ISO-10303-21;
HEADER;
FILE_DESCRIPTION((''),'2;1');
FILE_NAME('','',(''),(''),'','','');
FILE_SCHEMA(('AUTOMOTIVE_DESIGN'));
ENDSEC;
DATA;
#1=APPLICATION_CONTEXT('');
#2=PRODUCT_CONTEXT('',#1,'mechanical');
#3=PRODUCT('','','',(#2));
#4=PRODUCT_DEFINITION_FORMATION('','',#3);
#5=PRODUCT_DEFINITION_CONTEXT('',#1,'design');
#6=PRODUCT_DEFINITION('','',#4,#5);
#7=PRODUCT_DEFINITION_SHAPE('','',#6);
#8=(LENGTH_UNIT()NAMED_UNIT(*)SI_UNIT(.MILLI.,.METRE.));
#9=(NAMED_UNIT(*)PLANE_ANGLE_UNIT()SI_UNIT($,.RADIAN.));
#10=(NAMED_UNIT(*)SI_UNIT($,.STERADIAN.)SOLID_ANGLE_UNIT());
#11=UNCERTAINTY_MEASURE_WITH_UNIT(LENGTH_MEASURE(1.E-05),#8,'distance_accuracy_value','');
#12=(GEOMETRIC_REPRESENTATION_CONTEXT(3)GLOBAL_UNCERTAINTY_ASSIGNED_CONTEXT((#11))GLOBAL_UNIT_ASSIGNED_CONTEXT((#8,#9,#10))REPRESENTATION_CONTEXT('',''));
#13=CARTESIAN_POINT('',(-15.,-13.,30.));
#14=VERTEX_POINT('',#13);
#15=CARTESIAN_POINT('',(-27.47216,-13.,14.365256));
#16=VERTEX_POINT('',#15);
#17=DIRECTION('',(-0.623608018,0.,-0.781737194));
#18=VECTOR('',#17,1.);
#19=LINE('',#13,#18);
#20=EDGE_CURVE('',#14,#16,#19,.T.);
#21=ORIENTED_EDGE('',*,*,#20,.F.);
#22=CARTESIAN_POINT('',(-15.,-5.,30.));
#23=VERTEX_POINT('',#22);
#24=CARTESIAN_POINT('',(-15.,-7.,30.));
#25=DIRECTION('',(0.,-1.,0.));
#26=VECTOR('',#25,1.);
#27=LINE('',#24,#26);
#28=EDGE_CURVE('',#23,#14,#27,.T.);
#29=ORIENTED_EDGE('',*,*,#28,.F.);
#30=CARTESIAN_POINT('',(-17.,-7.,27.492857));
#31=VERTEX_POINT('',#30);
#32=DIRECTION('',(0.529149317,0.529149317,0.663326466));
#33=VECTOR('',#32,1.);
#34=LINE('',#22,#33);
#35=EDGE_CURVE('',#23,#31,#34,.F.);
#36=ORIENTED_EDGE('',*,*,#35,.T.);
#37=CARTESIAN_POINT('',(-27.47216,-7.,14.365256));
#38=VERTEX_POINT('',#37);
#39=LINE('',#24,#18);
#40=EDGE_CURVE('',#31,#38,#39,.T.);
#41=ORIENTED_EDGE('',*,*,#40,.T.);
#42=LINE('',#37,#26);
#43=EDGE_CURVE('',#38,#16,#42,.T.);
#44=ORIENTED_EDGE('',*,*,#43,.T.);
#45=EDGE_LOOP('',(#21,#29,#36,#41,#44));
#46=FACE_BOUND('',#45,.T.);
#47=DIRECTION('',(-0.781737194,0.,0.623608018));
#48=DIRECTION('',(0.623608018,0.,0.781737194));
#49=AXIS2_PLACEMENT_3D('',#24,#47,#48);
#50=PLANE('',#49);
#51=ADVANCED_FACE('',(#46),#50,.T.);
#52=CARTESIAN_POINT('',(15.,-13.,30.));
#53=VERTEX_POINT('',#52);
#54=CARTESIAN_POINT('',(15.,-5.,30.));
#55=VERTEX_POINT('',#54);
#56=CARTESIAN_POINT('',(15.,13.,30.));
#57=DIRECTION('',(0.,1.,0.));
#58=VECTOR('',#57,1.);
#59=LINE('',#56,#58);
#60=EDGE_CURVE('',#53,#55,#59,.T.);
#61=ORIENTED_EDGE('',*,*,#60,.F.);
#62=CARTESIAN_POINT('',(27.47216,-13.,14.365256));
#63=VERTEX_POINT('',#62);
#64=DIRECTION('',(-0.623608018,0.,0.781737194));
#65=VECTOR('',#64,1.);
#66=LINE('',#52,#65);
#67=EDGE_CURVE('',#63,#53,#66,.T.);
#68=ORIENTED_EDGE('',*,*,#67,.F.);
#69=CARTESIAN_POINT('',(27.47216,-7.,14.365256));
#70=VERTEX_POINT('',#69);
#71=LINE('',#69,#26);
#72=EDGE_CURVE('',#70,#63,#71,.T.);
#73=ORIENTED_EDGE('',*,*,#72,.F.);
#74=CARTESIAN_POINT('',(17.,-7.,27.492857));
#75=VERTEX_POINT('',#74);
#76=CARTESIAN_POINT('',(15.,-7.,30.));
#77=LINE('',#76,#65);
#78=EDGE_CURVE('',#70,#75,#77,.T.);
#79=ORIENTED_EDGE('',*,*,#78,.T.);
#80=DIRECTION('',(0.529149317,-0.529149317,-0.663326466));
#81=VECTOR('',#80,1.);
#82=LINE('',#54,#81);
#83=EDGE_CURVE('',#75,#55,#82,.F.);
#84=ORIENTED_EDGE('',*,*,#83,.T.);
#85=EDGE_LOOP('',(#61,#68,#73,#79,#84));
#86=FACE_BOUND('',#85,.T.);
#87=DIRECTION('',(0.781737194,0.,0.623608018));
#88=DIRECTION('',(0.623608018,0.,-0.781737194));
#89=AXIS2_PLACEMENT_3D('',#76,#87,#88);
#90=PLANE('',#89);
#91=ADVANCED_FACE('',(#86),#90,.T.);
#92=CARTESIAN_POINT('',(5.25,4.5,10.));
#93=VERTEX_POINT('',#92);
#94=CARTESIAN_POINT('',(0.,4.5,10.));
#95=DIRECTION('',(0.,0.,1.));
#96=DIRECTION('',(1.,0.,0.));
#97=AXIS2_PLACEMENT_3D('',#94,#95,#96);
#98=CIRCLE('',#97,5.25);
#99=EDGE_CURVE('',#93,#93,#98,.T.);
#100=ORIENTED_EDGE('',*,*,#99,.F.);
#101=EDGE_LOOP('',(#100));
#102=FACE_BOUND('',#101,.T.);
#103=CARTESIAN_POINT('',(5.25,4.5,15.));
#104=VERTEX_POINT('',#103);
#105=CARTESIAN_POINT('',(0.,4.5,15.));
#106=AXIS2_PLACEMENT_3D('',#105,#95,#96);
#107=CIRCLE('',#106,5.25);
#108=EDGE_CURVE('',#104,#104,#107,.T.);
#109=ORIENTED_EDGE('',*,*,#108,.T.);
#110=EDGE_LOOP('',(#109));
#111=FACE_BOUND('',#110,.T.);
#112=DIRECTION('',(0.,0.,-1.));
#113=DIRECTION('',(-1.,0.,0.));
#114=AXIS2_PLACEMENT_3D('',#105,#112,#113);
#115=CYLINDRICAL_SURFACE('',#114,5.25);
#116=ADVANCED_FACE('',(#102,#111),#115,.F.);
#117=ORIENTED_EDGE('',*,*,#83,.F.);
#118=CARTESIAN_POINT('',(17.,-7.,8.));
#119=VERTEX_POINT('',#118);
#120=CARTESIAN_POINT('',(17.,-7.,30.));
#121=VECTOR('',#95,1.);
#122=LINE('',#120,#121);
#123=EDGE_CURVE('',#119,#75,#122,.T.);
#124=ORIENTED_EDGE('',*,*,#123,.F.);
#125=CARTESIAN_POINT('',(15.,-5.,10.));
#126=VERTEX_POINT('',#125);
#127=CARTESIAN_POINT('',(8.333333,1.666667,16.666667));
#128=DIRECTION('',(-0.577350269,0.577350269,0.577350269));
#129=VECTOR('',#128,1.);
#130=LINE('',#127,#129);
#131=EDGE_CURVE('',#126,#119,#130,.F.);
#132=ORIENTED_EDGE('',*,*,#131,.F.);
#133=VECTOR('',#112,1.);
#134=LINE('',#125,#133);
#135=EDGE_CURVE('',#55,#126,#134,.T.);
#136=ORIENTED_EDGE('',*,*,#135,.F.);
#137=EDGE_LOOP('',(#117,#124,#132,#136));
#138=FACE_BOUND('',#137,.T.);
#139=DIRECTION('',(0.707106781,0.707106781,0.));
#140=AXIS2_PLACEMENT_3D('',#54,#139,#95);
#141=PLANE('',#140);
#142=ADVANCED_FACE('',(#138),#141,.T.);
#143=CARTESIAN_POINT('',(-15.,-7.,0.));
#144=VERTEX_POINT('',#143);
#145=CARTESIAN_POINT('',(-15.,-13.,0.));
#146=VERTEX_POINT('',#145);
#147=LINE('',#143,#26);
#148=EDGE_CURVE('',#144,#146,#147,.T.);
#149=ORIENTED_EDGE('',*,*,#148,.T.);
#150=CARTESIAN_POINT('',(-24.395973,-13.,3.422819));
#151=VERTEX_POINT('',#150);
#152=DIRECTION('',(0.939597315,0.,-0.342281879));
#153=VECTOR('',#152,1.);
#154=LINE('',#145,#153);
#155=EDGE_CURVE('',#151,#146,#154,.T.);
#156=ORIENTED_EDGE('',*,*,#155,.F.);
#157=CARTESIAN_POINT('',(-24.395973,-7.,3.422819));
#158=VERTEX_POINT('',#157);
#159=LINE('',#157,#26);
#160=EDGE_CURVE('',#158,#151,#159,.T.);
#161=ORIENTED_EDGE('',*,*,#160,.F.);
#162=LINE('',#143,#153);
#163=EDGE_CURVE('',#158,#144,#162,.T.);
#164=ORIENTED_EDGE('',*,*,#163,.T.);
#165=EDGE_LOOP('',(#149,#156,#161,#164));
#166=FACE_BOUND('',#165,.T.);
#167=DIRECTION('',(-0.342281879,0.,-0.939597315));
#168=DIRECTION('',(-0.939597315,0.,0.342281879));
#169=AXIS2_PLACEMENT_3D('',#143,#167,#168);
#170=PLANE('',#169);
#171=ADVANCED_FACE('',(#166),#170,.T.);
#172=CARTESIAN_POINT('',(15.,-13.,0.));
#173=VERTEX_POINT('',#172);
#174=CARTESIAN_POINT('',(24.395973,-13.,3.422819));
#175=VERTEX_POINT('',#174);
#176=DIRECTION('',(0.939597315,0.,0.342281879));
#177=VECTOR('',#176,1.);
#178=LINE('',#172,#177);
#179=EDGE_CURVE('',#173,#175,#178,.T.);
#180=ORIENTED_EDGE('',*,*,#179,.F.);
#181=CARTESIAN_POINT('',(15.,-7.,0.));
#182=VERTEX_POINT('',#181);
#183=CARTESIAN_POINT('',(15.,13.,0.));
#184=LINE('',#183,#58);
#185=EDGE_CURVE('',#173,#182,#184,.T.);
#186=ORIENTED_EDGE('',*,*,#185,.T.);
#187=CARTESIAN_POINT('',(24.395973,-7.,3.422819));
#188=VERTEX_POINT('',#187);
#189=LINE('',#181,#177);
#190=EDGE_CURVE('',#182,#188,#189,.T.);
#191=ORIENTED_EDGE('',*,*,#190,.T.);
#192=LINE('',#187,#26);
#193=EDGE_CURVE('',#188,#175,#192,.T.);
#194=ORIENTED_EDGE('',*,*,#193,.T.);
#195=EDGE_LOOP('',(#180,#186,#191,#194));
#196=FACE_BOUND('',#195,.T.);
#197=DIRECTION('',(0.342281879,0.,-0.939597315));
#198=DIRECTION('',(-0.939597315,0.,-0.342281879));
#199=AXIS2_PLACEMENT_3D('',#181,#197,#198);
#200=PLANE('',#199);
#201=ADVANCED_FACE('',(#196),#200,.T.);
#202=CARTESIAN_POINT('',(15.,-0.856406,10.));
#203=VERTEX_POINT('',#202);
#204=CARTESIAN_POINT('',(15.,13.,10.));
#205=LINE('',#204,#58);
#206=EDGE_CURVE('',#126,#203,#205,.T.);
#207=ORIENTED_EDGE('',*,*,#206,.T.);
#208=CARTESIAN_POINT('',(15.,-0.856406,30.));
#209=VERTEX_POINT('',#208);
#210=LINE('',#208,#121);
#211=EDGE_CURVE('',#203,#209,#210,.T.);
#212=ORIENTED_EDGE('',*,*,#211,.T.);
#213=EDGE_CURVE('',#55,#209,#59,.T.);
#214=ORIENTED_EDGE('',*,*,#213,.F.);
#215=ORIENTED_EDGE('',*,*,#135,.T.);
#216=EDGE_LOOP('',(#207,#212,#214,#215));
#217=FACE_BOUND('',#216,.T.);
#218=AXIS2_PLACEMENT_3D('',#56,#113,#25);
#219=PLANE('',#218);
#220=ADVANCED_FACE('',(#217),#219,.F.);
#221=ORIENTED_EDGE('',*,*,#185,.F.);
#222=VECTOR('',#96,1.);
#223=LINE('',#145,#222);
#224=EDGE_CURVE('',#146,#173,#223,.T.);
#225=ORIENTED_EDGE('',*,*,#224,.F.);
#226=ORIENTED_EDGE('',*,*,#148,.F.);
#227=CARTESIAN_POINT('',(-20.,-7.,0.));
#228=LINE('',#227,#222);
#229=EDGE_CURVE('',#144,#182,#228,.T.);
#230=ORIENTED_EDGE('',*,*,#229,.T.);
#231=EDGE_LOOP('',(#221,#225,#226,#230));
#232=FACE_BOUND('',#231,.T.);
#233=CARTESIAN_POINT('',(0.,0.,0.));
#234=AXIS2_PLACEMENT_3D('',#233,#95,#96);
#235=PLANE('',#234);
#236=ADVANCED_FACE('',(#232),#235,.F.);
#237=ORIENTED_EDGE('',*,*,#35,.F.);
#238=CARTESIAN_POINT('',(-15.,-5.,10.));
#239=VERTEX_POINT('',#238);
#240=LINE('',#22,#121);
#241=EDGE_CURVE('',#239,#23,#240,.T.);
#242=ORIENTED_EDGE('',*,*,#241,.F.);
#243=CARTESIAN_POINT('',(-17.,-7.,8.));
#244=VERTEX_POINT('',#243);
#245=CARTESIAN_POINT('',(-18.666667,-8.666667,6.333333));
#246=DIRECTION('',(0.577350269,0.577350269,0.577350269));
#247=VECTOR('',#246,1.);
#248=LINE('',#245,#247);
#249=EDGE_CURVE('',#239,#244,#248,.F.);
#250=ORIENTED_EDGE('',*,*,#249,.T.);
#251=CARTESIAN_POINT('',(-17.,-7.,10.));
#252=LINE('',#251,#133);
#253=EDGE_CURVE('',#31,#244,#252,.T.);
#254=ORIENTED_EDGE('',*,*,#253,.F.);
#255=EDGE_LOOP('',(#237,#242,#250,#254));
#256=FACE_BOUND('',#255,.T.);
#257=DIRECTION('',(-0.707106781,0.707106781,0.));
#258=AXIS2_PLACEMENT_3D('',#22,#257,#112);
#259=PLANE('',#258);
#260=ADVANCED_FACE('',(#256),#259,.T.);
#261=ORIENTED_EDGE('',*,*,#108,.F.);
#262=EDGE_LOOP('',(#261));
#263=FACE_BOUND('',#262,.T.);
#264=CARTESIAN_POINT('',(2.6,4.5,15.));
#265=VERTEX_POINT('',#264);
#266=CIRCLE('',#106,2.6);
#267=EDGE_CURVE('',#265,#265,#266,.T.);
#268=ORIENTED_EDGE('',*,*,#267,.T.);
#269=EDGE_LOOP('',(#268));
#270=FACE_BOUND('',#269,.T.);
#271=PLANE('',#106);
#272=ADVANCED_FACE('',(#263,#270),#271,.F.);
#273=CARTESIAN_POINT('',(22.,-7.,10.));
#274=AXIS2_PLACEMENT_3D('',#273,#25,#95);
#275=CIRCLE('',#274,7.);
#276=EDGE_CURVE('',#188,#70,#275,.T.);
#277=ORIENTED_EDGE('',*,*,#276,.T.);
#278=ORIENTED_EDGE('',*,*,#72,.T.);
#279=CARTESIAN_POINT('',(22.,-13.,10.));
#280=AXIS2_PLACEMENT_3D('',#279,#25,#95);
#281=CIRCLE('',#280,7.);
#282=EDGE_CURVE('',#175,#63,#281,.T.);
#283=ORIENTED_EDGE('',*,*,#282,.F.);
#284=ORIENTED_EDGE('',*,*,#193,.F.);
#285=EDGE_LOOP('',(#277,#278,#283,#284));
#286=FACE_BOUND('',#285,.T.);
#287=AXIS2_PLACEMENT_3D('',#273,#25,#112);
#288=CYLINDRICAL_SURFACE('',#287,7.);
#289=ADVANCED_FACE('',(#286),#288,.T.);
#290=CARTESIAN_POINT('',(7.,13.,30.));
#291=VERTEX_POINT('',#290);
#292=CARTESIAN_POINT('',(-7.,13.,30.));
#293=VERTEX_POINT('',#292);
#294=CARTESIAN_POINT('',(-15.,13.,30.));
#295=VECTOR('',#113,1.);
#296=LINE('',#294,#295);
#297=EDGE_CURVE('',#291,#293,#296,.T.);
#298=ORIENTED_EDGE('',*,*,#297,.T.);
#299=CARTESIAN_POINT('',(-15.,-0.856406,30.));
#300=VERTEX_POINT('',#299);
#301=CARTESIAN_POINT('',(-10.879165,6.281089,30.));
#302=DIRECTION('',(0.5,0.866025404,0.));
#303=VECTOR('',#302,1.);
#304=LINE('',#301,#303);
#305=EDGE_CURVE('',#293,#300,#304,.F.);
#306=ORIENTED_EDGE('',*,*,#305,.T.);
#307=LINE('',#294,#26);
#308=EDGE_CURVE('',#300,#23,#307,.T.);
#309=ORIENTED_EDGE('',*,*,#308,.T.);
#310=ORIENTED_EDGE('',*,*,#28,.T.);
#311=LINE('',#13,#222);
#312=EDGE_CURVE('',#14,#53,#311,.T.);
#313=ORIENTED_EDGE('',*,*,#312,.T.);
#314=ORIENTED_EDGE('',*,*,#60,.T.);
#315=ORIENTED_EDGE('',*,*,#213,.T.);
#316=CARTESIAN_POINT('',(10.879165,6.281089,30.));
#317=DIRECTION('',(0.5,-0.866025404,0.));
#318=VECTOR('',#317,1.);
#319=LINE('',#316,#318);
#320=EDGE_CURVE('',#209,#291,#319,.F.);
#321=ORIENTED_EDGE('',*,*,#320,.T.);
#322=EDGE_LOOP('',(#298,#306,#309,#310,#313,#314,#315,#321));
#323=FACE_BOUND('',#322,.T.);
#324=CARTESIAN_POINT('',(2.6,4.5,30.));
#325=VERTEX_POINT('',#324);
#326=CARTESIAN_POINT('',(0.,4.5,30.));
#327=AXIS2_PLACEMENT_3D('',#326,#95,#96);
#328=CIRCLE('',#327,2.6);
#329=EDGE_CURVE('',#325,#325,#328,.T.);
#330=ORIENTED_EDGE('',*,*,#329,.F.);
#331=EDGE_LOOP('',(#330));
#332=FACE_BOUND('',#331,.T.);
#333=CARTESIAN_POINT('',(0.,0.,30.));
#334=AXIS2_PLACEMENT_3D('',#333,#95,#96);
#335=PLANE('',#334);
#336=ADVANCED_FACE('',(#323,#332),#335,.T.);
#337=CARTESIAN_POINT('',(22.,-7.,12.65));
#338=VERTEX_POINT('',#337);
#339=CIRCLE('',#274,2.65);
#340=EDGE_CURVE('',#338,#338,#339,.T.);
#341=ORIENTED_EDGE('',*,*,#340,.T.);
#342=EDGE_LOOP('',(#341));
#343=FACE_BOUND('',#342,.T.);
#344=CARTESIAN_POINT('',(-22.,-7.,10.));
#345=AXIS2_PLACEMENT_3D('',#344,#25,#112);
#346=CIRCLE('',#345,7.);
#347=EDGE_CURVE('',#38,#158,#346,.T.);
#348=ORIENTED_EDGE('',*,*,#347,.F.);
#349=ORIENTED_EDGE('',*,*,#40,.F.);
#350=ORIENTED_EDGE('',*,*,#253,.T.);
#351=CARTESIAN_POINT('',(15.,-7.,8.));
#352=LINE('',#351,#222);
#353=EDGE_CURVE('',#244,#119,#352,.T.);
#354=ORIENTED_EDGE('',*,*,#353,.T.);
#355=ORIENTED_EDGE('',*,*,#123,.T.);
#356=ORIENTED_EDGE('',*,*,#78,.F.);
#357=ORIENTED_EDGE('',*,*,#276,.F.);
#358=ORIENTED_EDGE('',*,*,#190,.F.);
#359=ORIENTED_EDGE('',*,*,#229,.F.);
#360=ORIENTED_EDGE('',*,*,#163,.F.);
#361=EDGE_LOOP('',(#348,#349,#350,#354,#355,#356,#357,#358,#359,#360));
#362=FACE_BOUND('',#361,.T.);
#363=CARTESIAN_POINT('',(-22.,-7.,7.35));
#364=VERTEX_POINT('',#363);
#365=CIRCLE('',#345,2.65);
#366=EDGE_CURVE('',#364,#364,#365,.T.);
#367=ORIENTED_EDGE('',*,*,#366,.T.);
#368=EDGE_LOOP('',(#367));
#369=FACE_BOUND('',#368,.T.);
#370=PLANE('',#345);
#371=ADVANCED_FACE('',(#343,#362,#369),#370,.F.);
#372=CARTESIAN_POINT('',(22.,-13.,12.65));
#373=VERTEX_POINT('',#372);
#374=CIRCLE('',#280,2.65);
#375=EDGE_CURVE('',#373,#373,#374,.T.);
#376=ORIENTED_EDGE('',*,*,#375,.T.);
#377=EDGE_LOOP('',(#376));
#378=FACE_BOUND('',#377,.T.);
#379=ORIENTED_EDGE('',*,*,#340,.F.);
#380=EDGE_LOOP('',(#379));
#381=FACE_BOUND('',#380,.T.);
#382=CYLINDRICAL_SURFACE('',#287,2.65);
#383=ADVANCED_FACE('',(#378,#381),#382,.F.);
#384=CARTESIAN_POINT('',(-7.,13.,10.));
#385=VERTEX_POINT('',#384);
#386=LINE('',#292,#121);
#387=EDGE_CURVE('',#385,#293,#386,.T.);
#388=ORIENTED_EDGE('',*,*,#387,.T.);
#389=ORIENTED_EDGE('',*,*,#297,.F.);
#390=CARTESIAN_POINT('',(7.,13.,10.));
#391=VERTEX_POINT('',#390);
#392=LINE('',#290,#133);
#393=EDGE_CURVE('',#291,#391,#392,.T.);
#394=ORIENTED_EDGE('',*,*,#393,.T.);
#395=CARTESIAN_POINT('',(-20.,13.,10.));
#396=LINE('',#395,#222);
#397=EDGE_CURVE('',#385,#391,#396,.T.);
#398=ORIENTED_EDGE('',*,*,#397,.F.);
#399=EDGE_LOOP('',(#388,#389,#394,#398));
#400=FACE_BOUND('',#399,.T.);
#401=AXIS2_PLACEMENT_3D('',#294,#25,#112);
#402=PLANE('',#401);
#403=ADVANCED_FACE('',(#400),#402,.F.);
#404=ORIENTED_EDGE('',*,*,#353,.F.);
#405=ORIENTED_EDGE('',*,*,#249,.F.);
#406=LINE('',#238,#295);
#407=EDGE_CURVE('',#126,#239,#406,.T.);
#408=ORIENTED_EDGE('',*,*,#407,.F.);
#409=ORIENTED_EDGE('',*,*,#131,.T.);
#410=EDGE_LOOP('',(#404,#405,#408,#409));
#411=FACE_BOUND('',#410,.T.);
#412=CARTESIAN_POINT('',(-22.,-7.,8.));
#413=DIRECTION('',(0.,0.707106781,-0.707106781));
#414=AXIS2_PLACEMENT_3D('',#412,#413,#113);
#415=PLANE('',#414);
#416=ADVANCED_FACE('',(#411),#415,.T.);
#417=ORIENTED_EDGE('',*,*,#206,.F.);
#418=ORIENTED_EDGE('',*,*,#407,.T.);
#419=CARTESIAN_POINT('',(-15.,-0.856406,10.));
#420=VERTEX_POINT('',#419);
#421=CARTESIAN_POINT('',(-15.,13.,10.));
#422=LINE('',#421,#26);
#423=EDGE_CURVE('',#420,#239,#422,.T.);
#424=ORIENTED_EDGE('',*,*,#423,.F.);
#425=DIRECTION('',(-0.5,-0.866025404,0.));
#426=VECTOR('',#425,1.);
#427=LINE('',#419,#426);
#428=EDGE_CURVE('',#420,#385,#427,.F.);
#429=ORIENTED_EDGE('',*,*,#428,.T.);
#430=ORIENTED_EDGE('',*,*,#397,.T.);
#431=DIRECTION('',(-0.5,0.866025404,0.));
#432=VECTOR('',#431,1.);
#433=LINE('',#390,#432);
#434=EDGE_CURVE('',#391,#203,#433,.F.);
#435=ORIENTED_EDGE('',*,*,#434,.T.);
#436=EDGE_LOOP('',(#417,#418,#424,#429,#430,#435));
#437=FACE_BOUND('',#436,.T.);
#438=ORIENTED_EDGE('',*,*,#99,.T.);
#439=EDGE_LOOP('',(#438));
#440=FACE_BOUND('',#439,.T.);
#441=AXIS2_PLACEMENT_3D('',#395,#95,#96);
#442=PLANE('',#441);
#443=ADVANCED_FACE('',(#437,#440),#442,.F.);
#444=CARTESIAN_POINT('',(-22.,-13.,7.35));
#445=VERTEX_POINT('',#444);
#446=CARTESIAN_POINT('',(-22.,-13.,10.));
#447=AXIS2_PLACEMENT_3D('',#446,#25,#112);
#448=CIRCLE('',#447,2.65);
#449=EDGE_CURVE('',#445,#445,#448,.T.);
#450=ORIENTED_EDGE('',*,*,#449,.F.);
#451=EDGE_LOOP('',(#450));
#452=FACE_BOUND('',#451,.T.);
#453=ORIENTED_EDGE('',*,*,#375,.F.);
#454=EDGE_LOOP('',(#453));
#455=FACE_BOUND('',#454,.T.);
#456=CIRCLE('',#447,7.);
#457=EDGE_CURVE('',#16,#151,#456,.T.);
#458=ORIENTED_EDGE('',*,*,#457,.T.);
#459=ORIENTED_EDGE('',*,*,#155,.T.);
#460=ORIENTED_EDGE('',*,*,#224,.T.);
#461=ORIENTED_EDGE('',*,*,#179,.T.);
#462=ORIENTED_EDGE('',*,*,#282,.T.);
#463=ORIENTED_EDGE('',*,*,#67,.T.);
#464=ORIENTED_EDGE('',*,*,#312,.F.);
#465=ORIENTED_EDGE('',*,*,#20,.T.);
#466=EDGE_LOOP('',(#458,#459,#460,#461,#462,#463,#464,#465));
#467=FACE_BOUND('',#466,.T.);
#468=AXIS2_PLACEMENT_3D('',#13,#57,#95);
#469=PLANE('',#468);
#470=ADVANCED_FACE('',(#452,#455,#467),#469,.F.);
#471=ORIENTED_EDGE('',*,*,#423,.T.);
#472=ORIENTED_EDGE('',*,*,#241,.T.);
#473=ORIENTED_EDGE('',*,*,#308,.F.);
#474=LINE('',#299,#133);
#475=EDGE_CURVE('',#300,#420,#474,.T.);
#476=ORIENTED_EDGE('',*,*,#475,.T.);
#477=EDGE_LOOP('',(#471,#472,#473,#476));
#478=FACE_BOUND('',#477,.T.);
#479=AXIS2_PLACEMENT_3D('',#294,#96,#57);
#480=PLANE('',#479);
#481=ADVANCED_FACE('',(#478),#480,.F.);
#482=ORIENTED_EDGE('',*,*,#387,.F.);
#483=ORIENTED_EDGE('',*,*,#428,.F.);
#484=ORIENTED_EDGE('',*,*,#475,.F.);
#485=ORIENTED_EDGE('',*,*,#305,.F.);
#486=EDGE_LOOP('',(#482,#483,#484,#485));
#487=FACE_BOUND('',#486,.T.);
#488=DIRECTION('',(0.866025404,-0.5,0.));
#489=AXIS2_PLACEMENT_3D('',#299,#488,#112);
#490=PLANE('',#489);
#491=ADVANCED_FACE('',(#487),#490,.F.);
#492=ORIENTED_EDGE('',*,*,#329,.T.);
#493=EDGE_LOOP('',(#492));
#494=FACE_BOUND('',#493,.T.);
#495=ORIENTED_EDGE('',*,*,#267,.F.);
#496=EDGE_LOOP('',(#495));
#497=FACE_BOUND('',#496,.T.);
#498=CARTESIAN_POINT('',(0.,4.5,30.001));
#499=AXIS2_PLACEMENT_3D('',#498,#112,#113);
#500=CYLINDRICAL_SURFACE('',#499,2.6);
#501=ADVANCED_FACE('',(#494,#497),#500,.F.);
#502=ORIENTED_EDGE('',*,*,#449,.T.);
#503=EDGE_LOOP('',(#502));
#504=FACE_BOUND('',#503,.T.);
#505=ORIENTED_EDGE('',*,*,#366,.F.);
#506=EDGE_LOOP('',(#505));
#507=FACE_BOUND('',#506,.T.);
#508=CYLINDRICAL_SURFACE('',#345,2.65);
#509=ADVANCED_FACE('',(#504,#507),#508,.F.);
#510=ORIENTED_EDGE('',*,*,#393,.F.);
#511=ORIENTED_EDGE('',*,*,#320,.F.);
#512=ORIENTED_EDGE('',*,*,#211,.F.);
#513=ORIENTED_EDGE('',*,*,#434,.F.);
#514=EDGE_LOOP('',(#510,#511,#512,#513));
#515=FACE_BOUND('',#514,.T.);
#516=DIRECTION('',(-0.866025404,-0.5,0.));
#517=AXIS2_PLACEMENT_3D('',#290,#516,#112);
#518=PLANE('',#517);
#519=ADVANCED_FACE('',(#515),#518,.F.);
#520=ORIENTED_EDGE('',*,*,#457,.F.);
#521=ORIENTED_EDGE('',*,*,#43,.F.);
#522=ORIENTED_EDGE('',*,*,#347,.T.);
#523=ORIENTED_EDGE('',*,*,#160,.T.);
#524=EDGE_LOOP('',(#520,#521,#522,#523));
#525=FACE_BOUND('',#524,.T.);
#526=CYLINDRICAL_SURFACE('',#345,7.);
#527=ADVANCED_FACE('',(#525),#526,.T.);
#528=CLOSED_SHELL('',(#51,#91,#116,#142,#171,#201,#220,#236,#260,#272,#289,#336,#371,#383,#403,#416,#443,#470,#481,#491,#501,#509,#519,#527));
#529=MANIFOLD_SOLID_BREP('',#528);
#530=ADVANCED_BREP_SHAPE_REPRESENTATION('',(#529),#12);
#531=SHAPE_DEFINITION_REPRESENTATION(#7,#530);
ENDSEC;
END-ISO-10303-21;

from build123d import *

# Parameters (mm, degrees)
SKETCH1_W           = 30
SKETCH1_H           = 26
BOSS_EXTRUDE1_DEPTH = 30
SKETCH2_R           = 5.25
CUT_EXTRUDE1_DEPTH  = 15
CUT_EXTRUDE2_REACH  = 37.972
SKETCH3_R           = 2.6
SKETCH4_R           = 2.65
BOSS_EXTRUDE2_DEPTH = 6
CHAMFER1_SIZE       = 8
CHAMFER1_SIZE2      = 13.856406461
SKETCH5_W           = 10
SKETCH5_H           = 20
CUT_EXTRUDE3_DEPTH  = 20
CHAMFER2_SIZE       = 2


with BuildPart() as part:
    # Sketch1 → Boss-Extrude1 (new body)
    with BuildSketch(Plane.XY):
        Rectangle(SKETCH1_W, SKETCH1_H)
    extrude(amount=BOSS_EXTRUDE1_DEPTH)

    # Sketch2 → Cut-Extrude1 (cut)
    with BuildSketch(Plane.XY):
        with Locations((0, 4.5)):
            Circle(SKETCH2_R)
    extrude(amount=CUT_EXTRUDE1_DEPTH, mode=Mode.SUBTRACT)

    # Sketch3 → Cut-Extrude2 (cut, up to next)
    with BuildSketch(Plane.XY, mode=Mode.PRIVATE) as cut_extrude2_sk1:
        with Locations((0, 4.5)):
            Circle(SKETCH3_R)
    cut_extrude2_tool1 = extrude(cut_extrude2_sk1.sketch, amount=CUT_EXTRUDE2_REACH, mode=Mode.PRIVATE) & part.part
    add(cut_extrude2_tool1.solids().sort_by_distance((0, 4.5, 0))[0], mode=Mode.SUBTRACT)

    # Sketch4 → Boss-Extrude2 (add)
    # profile 1 of 2: a face of its own
    with BuildSketch(Plane.XZ.offset(13)):
        with BuildLine():
            Line((-15, 30), (-27.472160356, 14.365256125))
            ThreePointArc((-27.472160356, 14.365256125), (-28.738776961, 8.10556471), (-24.395973154, 3.422818792))
            Line((-24.395973154, 3.422818792), (-15, 0))
            Line((-15, 0), (-15, 30))
        make_face()
        with Locations(Location((-22, 10, 0), (0, 0, 270))):
            Circle(SKETCH4_R, mode=Mode.SUBTRACT)
    # profile 2 of 2: a face of its own
    with BuildSketch(Plane.XZ.offset(13)):
        with BuildLine():
            Line((15, 0), (24.395973154, 3.422818792))
            ThreePointArc((24.395973154, 3.422818792), (28.738776961, 8.10556471), (27.472160356, 14.365256125))
            Line((27.472160356, 14.365256125), (15, 30))
            Line((15, 30), (15, 0))
        make_face()
        with Locations(Location((22, 10, 0), (0, 0, 90))):
            Circle(SKETCH4_R, mode=Mode.SUBTRACT)
    extrude(amount=-BOSS_EXTRUDE2_DEPTH)

    # Chamfer1
    chamfer1_edges = [part.edges().sort_by_distance(p)[0] for p in [
        (-15, 13, 15),
        (15, 13, 15),
    ]]
    chamfer1_side = [part.faces().sort_by_distance(p)[0] for p in [
        (0, 13, 15),
    ]]
    chamfer(chamfer1_edges, length=CHAMFER1_SIZE, length2=CHAMFER1_SIZE2, reference=chamfer1_side[0])

    # Sketch5 → Cut-Extrude3 (cut, symmetric)
    with BuildSketch(Plane(origin=(0, 0, 0), x_dir=(0, 0, -1), z_dir=(1, 0, 0))):
        with Locations((-5, 3)):
            Rectangle(SKETCH5_W, SKETCH5_H)
    extrude(amount=CUT_EXTRUDE3_DEPTH, both=True, mode=Mode.SUBTRACT)

    # Chamfer2
    chamfer2_edges = [part.edges().sort_by_distance(p)[0] for p in [
        (-15, -7, 20),
        (15, -7, 20),
        (0, -7, 10),
    ]]
    chamfer(chamfer2_edges, length=CHAMFER2_SIZE)


solid = part.part
